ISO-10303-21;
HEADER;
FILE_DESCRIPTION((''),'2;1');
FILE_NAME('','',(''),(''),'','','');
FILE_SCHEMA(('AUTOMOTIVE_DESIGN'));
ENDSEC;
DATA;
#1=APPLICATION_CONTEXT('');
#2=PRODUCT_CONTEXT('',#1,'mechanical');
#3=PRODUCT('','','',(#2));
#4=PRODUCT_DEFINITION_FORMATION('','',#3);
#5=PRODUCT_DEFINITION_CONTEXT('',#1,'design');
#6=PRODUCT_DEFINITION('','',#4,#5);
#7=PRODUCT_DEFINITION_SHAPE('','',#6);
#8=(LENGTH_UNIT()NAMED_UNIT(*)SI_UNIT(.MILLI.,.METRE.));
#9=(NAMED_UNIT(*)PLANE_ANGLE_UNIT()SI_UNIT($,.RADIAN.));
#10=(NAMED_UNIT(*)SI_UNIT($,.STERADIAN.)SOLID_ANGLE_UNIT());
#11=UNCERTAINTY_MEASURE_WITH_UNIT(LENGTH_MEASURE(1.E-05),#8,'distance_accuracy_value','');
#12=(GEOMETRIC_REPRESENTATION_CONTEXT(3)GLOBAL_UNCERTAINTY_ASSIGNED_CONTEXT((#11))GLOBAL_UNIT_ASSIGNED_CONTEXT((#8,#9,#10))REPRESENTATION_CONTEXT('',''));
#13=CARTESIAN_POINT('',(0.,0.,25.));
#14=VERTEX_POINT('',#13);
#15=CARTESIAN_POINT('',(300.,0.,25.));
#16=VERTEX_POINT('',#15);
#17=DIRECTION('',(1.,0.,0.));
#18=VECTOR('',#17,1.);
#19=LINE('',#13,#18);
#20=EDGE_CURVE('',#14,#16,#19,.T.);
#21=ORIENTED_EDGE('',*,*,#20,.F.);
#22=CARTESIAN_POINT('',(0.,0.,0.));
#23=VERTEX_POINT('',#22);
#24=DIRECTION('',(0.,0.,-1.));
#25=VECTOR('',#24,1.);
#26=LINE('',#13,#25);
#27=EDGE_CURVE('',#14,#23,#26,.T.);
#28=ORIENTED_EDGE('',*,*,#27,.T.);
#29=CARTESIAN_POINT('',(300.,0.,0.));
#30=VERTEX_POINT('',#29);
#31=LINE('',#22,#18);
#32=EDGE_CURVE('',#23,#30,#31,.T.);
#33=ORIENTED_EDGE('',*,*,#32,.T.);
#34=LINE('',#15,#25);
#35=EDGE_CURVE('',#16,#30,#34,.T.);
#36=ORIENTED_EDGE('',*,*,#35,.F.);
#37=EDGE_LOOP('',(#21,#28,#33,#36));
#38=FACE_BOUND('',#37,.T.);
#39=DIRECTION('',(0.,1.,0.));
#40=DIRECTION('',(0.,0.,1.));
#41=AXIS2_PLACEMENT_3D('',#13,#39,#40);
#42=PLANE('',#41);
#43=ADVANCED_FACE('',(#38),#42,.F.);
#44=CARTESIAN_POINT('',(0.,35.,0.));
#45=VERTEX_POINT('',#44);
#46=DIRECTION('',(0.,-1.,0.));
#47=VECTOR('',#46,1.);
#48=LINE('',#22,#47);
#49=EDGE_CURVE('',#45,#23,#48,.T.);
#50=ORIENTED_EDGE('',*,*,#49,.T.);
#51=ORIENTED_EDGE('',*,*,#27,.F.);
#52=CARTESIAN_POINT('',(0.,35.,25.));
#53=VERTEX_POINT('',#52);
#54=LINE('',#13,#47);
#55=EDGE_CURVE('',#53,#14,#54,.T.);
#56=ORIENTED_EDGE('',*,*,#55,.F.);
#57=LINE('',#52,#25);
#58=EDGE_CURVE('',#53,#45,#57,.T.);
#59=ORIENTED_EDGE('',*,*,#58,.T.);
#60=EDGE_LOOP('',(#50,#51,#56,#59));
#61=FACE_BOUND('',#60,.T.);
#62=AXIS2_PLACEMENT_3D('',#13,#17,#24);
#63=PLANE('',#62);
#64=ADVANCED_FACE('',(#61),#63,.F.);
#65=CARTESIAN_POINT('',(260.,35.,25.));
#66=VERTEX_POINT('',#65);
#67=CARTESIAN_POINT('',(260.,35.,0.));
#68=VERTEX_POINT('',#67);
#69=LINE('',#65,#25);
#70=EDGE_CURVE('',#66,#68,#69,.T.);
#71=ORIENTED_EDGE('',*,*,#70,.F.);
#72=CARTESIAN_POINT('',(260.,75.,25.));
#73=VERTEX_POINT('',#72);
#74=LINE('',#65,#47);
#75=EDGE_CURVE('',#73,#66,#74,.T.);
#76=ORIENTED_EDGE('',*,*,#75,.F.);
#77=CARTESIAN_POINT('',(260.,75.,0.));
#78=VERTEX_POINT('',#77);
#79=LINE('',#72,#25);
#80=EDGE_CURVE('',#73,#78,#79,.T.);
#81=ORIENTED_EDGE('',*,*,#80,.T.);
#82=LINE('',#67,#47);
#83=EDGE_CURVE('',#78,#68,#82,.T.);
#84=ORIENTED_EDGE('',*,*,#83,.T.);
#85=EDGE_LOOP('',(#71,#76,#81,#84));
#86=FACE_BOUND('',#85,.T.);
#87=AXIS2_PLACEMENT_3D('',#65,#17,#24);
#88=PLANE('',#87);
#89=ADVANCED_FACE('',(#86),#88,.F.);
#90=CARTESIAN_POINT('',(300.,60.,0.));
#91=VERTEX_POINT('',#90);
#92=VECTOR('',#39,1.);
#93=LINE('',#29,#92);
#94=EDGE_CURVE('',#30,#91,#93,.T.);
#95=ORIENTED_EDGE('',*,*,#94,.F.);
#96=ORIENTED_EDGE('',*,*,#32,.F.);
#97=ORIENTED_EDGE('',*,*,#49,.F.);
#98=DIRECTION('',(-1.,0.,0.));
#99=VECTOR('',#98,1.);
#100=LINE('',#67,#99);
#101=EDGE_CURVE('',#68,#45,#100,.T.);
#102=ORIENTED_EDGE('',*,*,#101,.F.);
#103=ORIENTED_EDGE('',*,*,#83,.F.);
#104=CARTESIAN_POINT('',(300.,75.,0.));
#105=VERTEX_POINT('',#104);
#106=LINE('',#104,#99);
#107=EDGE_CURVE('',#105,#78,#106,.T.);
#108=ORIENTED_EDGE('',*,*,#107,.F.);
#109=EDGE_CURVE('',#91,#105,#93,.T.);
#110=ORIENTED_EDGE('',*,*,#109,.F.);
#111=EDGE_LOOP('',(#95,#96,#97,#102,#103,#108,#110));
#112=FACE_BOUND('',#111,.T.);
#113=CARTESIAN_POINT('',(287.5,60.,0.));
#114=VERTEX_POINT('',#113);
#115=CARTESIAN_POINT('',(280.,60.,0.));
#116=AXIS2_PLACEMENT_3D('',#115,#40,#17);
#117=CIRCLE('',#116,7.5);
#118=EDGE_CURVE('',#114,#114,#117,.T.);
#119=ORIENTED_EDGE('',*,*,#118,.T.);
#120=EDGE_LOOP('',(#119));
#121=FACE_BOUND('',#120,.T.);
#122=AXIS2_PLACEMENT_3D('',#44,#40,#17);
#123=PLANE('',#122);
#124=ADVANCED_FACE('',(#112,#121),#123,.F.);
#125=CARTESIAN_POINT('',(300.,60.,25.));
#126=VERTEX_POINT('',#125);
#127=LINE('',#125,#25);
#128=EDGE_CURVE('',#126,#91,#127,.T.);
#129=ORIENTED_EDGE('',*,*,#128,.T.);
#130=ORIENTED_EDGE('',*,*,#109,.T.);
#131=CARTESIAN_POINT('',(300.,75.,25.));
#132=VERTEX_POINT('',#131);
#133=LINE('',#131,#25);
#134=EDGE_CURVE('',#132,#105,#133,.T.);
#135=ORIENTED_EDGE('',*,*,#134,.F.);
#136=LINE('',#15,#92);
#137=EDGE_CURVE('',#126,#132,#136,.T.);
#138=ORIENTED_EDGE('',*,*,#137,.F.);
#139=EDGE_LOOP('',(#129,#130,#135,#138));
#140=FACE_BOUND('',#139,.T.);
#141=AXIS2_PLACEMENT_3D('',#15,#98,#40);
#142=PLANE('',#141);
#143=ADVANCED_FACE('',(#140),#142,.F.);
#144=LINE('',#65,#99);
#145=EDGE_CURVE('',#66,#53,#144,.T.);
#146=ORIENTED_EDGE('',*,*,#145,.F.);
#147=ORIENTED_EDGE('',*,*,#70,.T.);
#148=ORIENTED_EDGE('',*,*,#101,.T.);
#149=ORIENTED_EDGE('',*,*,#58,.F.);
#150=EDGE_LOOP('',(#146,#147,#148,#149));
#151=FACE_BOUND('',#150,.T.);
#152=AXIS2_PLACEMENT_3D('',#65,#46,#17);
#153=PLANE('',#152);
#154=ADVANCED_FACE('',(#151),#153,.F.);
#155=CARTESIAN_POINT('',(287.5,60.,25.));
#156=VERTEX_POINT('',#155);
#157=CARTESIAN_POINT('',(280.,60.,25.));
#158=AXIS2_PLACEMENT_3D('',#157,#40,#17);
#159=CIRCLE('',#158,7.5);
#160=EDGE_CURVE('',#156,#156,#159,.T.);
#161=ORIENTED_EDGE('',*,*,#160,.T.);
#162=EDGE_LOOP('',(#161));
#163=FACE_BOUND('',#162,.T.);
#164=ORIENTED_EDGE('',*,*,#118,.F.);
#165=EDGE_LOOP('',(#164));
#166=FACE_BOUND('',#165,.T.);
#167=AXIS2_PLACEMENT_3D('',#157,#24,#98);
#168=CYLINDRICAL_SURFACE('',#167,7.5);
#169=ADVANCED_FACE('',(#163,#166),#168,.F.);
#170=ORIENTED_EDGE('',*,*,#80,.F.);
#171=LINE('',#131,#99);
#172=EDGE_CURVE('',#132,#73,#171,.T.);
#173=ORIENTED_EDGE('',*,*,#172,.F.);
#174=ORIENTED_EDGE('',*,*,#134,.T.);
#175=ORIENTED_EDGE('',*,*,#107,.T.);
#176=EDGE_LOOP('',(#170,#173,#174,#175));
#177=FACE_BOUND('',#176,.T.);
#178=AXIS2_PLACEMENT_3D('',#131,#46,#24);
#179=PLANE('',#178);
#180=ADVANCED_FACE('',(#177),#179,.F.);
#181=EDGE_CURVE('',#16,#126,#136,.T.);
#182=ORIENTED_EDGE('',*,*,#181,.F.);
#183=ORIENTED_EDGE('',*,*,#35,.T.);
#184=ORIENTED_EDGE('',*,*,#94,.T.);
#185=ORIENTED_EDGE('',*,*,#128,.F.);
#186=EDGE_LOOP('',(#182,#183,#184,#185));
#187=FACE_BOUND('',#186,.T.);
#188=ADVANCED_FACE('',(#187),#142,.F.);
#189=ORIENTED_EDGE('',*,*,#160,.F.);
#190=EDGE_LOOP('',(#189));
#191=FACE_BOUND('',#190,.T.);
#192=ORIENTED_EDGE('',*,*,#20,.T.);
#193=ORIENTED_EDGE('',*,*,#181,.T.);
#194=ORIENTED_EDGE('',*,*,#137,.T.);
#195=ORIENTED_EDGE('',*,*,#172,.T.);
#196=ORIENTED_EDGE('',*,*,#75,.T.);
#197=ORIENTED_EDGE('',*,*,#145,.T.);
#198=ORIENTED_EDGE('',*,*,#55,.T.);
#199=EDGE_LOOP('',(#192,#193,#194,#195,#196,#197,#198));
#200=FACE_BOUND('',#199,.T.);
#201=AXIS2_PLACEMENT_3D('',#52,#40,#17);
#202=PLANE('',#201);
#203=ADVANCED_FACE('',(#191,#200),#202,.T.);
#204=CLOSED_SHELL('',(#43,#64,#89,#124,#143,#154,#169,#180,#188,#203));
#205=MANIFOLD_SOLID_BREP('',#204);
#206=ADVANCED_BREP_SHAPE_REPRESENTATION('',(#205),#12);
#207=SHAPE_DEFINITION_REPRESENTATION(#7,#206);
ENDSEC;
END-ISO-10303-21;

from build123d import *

# Parameters (mm, degrees)
SKETCH1_R      = 7.5
EXTRUDE1_DEPTH = 25


with BuildPart() as part:
    # Sketch1 → Extrude1 (new body)
    with BuildSketch(Plane.XY):
        Polygon((260, 35), (0, 35), (0, 0), (300, 0), (300, 75), (260, 75), align=None)
        with Locations((280, 60)):
            Circle(SKETCH1_R, mode=Mode.SUBTRACT)
    extrude(amount=EXTRUDE1_DEPTH)


solid = part.part
